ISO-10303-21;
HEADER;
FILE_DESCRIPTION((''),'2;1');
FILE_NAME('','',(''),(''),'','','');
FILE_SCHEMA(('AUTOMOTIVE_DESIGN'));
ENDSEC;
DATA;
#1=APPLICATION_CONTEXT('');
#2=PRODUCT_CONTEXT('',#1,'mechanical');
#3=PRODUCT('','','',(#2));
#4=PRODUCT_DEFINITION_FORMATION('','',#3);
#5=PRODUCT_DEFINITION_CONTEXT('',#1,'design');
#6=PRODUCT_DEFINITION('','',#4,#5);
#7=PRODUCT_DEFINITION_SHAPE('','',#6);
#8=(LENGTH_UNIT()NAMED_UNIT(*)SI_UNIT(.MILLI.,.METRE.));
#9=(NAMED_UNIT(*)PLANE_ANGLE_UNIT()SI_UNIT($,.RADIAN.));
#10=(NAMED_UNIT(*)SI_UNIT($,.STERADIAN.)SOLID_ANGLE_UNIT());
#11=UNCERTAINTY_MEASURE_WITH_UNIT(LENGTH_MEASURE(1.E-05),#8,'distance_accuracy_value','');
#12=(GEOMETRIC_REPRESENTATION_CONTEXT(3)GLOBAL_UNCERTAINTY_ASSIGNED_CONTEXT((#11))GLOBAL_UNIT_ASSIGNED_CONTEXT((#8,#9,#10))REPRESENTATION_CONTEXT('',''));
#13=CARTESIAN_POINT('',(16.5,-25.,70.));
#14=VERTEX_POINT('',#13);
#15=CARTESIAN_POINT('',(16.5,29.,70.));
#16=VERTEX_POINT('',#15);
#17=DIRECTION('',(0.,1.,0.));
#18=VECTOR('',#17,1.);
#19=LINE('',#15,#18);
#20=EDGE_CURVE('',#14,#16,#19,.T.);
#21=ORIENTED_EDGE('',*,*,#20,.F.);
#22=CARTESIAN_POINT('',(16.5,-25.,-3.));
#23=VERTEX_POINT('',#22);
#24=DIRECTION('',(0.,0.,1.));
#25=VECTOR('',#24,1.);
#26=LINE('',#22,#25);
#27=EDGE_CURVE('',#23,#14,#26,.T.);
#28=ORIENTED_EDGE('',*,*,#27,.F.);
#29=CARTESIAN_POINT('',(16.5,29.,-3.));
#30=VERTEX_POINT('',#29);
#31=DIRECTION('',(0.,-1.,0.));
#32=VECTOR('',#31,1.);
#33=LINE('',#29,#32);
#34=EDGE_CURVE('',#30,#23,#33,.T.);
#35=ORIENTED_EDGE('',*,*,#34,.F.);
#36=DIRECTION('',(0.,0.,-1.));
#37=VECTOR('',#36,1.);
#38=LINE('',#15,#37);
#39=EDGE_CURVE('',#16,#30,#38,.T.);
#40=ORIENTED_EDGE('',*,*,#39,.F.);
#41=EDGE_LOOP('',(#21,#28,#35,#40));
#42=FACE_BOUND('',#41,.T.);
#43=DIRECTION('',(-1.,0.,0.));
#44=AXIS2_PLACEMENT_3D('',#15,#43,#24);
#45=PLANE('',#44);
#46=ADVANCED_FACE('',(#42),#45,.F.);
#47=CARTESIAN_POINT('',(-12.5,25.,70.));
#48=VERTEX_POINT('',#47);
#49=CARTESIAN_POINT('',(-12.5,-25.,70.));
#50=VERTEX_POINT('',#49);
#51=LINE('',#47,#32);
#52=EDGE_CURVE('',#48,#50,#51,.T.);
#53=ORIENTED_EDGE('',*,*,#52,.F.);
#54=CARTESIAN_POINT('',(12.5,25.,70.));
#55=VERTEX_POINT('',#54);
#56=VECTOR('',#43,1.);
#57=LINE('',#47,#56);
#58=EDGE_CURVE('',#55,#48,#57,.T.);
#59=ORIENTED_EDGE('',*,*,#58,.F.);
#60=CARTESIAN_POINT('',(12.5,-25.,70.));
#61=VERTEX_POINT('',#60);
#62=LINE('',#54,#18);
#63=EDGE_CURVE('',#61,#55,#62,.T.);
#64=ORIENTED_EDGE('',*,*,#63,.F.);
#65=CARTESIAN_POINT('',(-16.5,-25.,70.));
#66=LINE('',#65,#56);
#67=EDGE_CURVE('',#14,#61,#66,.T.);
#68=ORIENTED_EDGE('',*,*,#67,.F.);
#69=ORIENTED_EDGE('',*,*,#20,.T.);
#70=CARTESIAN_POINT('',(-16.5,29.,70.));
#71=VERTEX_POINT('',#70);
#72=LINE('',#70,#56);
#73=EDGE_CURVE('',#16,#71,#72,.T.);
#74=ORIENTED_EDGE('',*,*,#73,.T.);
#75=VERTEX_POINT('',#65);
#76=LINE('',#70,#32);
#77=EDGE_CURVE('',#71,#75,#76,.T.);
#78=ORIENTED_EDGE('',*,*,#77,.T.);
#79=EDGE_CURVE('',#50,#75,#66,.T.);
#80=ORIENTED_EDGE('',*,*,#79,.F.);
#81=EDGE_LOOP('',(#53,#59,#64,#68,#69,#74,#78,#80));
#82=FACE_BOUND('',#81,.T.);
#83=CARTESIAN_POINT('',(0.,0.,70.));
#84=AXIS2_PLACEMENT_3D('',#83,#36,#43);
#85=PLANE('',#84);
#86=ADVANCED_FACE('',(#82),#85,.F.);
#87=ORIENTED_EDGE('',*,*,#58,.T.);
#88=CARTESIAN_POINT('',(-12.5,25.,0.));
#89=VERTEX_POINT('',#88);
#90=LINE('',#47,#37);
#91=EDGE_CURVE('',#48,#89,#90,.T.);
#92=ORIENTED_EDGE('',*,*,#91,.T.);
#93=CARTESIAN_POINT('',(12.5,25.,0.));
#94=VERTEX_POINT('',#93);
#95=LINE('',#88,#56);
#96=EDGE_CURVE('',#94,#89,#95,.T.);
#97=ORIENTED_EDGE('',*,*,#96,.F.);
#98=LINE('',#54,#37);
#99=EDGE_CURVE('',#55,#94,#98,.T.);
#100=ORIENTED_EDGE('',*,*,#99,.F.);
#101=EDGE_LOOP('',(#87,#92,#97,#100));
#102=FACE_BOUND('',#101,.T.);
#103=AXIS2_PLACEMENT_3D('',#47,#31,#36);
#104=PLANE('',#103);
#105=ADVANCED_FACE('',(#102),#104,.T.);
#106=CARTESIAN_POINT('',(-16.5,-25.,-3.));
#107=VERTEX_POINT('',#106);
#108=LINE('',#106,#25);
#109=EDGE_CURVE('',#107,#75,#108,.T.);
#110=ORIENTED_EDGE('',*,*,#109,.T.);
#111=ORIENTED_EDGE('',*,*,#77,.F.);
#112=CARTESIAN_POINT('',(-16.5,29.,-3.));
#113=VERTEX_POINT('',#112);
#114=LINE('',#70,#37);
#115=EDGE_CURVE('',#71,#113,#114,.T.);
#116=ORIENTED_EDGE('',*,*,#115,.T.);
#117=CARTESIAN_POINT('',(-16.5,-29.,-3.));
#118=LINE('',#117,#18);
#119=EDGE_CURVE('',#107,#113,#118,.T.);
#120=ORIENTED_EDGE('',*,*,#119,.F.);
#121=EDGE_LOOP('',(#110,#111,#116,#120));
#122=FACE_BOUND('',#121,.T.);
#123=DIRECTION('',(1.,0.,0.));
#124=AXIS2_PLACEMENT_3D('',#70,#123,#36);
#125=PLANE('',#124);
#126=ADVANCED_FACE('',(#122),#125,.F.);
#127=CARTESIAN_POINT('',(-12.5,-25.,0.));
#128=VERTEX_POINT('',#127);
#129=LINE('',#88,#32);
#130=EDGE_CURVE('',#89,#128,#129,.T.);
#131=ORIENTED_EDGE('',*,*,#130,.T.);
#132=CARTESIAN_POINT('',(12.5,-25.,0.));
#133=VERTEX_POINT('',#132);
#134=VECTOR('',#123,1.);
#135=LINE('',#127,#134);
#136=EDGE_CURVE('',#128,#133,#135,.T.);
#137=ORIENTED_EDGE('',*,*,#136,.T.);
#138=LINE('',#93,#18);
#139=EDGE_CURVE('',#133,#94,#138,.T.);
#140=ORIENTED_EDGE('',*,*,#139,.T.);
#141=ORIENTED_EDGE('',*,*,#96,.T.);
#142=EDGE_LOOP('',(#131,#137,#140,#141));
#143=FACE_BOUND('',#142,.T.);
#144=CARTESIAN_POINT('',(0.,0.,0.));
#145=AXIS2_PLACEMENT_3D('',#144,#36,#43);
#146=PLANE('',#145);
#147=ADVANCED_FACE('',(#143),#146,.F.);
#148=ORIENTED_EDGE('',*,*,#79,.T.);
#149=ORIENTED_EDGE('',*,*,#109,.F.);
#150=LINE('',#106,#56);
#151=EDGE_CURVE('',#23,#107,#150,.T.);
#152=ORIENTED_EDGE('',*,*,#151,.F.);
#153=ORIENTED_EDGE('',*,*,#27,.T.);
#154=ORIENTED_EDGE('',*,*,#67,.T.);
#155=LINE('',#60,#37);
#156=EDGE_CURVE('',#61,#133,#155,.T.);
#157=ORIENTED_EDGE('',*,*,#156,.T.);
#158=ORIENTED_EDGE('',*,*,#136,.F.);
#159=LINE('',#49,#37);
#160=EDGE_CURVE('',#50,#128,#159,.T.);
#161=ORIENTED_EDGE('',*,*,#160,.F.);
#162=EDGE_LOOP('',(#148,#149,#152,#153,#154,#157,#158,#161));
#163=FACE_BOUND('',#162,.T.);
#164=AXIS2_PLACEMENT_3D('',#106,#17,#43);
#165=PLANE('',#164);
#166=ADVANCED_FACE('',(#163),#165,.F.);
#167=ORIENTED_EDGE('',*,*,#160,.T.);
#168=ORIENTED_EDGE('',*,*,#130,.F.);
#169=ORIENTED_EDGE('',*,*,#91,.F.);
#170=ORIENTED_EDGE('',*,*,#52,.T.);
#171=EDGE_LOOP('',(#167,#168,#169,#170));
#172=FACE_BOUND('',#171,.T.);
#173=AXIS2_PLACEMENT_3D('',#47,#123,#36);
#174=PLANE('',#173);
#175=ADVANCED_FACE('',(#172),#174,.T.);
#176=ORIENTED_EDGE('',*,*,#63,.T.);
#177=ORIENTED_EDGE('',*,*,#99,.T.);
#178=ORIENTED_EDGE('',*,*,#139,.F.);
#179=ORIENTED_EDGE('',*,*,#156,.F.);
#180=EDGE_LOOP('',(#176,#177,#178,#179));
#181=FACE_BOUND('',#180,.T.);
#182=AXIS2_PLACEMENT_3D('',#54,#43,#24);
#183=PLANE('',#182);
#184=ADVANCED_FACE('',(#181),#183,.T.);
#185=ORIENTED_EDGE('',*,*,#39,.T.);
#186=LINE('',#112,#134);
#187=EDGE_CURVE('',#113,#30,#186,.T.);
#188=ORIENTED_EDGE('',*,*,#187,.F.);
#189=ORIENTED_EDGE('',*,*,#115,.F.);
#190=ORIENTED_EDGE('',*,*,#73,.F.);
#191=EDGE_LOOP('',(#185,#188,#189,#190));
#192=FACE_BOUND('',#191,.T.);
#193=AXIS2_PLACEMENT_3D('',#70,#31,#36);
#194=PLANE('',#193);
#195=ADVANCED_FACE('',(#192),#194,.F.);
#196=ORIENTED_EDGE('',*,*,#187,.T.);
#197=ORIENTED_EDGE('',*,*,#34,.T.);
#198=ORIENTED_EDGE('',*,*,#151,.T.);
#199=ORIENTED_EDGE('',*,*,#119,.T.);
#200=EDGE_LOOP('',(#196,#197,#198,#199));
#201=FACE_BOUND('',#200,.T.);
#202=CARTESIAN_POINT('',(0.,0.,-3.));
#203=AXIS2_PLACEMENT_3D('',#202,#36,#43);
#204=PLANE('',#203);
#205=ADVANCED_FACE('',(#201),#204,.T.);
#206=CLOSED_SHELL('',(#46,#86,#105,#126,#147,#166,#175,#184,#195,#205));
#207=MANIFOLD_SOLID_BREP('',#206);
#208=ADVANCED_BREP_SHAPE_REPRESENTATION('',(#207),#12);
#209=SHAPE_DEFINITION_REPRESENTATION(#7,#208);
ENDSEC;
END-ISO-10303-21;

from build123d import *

# Parameters (mm, degrees)
CROQUIS1_W              = 33
CROQUIS1_H              = 58
CROQUIS1_W_2            = 25
CROQUIS1_H_2            = 50
SALIENTE_EXTRUIR1_DEPTH = 70
CROQUIS2_W              = 33
CROQUIS2_H              = 58
SALIENTE_EXTRUIR2_DEPTH = 3
CROQUIS3_W              = 33
CROQUIS3_H              = 4
CORTAR_EXTRUIR1_DEPTH   = 81.263628126


with BuildPart() as part:
    # Croquis1 → Saliente-Extruir1 (new body)
    with BuildSketch(Plane.XY):
        Rectangle(CROQUIS1_W, CROQUIS1_H)
        Rectangle(CROQUIS1_W_2, CROQUIS1_H_2, mode=Mode.SUBTRACT)
    extrude(amount=SALIENTE_EXTRUIR1_DEPTH)

    # Croquis2 → Saliente-Extruir2 (add)
    with BuildSketch(Plane(origin=(0, 0, 0), x_dir=(-1, 0, 0), z_dir=(0, 0, -1))):
        Rectangle(CROQUIS2_W, CROQUIS2_H)
    extrude(amount=SALIENTE_EXTRUIR2_DEPTH)

    # Croquis3 → Cortar-Extruir1 (cut, through all)
    with BuildSketch(Plane.XY.offset(70)):
        with Locations((0, -27)):
            Rectangle(CROQUIS3_W, CROQUIS3_H)
    extrude(amount=-CORTAR_EXTRUIR1_DEPTH, mode=Mode.SUBTRACT)


solid = part.part
